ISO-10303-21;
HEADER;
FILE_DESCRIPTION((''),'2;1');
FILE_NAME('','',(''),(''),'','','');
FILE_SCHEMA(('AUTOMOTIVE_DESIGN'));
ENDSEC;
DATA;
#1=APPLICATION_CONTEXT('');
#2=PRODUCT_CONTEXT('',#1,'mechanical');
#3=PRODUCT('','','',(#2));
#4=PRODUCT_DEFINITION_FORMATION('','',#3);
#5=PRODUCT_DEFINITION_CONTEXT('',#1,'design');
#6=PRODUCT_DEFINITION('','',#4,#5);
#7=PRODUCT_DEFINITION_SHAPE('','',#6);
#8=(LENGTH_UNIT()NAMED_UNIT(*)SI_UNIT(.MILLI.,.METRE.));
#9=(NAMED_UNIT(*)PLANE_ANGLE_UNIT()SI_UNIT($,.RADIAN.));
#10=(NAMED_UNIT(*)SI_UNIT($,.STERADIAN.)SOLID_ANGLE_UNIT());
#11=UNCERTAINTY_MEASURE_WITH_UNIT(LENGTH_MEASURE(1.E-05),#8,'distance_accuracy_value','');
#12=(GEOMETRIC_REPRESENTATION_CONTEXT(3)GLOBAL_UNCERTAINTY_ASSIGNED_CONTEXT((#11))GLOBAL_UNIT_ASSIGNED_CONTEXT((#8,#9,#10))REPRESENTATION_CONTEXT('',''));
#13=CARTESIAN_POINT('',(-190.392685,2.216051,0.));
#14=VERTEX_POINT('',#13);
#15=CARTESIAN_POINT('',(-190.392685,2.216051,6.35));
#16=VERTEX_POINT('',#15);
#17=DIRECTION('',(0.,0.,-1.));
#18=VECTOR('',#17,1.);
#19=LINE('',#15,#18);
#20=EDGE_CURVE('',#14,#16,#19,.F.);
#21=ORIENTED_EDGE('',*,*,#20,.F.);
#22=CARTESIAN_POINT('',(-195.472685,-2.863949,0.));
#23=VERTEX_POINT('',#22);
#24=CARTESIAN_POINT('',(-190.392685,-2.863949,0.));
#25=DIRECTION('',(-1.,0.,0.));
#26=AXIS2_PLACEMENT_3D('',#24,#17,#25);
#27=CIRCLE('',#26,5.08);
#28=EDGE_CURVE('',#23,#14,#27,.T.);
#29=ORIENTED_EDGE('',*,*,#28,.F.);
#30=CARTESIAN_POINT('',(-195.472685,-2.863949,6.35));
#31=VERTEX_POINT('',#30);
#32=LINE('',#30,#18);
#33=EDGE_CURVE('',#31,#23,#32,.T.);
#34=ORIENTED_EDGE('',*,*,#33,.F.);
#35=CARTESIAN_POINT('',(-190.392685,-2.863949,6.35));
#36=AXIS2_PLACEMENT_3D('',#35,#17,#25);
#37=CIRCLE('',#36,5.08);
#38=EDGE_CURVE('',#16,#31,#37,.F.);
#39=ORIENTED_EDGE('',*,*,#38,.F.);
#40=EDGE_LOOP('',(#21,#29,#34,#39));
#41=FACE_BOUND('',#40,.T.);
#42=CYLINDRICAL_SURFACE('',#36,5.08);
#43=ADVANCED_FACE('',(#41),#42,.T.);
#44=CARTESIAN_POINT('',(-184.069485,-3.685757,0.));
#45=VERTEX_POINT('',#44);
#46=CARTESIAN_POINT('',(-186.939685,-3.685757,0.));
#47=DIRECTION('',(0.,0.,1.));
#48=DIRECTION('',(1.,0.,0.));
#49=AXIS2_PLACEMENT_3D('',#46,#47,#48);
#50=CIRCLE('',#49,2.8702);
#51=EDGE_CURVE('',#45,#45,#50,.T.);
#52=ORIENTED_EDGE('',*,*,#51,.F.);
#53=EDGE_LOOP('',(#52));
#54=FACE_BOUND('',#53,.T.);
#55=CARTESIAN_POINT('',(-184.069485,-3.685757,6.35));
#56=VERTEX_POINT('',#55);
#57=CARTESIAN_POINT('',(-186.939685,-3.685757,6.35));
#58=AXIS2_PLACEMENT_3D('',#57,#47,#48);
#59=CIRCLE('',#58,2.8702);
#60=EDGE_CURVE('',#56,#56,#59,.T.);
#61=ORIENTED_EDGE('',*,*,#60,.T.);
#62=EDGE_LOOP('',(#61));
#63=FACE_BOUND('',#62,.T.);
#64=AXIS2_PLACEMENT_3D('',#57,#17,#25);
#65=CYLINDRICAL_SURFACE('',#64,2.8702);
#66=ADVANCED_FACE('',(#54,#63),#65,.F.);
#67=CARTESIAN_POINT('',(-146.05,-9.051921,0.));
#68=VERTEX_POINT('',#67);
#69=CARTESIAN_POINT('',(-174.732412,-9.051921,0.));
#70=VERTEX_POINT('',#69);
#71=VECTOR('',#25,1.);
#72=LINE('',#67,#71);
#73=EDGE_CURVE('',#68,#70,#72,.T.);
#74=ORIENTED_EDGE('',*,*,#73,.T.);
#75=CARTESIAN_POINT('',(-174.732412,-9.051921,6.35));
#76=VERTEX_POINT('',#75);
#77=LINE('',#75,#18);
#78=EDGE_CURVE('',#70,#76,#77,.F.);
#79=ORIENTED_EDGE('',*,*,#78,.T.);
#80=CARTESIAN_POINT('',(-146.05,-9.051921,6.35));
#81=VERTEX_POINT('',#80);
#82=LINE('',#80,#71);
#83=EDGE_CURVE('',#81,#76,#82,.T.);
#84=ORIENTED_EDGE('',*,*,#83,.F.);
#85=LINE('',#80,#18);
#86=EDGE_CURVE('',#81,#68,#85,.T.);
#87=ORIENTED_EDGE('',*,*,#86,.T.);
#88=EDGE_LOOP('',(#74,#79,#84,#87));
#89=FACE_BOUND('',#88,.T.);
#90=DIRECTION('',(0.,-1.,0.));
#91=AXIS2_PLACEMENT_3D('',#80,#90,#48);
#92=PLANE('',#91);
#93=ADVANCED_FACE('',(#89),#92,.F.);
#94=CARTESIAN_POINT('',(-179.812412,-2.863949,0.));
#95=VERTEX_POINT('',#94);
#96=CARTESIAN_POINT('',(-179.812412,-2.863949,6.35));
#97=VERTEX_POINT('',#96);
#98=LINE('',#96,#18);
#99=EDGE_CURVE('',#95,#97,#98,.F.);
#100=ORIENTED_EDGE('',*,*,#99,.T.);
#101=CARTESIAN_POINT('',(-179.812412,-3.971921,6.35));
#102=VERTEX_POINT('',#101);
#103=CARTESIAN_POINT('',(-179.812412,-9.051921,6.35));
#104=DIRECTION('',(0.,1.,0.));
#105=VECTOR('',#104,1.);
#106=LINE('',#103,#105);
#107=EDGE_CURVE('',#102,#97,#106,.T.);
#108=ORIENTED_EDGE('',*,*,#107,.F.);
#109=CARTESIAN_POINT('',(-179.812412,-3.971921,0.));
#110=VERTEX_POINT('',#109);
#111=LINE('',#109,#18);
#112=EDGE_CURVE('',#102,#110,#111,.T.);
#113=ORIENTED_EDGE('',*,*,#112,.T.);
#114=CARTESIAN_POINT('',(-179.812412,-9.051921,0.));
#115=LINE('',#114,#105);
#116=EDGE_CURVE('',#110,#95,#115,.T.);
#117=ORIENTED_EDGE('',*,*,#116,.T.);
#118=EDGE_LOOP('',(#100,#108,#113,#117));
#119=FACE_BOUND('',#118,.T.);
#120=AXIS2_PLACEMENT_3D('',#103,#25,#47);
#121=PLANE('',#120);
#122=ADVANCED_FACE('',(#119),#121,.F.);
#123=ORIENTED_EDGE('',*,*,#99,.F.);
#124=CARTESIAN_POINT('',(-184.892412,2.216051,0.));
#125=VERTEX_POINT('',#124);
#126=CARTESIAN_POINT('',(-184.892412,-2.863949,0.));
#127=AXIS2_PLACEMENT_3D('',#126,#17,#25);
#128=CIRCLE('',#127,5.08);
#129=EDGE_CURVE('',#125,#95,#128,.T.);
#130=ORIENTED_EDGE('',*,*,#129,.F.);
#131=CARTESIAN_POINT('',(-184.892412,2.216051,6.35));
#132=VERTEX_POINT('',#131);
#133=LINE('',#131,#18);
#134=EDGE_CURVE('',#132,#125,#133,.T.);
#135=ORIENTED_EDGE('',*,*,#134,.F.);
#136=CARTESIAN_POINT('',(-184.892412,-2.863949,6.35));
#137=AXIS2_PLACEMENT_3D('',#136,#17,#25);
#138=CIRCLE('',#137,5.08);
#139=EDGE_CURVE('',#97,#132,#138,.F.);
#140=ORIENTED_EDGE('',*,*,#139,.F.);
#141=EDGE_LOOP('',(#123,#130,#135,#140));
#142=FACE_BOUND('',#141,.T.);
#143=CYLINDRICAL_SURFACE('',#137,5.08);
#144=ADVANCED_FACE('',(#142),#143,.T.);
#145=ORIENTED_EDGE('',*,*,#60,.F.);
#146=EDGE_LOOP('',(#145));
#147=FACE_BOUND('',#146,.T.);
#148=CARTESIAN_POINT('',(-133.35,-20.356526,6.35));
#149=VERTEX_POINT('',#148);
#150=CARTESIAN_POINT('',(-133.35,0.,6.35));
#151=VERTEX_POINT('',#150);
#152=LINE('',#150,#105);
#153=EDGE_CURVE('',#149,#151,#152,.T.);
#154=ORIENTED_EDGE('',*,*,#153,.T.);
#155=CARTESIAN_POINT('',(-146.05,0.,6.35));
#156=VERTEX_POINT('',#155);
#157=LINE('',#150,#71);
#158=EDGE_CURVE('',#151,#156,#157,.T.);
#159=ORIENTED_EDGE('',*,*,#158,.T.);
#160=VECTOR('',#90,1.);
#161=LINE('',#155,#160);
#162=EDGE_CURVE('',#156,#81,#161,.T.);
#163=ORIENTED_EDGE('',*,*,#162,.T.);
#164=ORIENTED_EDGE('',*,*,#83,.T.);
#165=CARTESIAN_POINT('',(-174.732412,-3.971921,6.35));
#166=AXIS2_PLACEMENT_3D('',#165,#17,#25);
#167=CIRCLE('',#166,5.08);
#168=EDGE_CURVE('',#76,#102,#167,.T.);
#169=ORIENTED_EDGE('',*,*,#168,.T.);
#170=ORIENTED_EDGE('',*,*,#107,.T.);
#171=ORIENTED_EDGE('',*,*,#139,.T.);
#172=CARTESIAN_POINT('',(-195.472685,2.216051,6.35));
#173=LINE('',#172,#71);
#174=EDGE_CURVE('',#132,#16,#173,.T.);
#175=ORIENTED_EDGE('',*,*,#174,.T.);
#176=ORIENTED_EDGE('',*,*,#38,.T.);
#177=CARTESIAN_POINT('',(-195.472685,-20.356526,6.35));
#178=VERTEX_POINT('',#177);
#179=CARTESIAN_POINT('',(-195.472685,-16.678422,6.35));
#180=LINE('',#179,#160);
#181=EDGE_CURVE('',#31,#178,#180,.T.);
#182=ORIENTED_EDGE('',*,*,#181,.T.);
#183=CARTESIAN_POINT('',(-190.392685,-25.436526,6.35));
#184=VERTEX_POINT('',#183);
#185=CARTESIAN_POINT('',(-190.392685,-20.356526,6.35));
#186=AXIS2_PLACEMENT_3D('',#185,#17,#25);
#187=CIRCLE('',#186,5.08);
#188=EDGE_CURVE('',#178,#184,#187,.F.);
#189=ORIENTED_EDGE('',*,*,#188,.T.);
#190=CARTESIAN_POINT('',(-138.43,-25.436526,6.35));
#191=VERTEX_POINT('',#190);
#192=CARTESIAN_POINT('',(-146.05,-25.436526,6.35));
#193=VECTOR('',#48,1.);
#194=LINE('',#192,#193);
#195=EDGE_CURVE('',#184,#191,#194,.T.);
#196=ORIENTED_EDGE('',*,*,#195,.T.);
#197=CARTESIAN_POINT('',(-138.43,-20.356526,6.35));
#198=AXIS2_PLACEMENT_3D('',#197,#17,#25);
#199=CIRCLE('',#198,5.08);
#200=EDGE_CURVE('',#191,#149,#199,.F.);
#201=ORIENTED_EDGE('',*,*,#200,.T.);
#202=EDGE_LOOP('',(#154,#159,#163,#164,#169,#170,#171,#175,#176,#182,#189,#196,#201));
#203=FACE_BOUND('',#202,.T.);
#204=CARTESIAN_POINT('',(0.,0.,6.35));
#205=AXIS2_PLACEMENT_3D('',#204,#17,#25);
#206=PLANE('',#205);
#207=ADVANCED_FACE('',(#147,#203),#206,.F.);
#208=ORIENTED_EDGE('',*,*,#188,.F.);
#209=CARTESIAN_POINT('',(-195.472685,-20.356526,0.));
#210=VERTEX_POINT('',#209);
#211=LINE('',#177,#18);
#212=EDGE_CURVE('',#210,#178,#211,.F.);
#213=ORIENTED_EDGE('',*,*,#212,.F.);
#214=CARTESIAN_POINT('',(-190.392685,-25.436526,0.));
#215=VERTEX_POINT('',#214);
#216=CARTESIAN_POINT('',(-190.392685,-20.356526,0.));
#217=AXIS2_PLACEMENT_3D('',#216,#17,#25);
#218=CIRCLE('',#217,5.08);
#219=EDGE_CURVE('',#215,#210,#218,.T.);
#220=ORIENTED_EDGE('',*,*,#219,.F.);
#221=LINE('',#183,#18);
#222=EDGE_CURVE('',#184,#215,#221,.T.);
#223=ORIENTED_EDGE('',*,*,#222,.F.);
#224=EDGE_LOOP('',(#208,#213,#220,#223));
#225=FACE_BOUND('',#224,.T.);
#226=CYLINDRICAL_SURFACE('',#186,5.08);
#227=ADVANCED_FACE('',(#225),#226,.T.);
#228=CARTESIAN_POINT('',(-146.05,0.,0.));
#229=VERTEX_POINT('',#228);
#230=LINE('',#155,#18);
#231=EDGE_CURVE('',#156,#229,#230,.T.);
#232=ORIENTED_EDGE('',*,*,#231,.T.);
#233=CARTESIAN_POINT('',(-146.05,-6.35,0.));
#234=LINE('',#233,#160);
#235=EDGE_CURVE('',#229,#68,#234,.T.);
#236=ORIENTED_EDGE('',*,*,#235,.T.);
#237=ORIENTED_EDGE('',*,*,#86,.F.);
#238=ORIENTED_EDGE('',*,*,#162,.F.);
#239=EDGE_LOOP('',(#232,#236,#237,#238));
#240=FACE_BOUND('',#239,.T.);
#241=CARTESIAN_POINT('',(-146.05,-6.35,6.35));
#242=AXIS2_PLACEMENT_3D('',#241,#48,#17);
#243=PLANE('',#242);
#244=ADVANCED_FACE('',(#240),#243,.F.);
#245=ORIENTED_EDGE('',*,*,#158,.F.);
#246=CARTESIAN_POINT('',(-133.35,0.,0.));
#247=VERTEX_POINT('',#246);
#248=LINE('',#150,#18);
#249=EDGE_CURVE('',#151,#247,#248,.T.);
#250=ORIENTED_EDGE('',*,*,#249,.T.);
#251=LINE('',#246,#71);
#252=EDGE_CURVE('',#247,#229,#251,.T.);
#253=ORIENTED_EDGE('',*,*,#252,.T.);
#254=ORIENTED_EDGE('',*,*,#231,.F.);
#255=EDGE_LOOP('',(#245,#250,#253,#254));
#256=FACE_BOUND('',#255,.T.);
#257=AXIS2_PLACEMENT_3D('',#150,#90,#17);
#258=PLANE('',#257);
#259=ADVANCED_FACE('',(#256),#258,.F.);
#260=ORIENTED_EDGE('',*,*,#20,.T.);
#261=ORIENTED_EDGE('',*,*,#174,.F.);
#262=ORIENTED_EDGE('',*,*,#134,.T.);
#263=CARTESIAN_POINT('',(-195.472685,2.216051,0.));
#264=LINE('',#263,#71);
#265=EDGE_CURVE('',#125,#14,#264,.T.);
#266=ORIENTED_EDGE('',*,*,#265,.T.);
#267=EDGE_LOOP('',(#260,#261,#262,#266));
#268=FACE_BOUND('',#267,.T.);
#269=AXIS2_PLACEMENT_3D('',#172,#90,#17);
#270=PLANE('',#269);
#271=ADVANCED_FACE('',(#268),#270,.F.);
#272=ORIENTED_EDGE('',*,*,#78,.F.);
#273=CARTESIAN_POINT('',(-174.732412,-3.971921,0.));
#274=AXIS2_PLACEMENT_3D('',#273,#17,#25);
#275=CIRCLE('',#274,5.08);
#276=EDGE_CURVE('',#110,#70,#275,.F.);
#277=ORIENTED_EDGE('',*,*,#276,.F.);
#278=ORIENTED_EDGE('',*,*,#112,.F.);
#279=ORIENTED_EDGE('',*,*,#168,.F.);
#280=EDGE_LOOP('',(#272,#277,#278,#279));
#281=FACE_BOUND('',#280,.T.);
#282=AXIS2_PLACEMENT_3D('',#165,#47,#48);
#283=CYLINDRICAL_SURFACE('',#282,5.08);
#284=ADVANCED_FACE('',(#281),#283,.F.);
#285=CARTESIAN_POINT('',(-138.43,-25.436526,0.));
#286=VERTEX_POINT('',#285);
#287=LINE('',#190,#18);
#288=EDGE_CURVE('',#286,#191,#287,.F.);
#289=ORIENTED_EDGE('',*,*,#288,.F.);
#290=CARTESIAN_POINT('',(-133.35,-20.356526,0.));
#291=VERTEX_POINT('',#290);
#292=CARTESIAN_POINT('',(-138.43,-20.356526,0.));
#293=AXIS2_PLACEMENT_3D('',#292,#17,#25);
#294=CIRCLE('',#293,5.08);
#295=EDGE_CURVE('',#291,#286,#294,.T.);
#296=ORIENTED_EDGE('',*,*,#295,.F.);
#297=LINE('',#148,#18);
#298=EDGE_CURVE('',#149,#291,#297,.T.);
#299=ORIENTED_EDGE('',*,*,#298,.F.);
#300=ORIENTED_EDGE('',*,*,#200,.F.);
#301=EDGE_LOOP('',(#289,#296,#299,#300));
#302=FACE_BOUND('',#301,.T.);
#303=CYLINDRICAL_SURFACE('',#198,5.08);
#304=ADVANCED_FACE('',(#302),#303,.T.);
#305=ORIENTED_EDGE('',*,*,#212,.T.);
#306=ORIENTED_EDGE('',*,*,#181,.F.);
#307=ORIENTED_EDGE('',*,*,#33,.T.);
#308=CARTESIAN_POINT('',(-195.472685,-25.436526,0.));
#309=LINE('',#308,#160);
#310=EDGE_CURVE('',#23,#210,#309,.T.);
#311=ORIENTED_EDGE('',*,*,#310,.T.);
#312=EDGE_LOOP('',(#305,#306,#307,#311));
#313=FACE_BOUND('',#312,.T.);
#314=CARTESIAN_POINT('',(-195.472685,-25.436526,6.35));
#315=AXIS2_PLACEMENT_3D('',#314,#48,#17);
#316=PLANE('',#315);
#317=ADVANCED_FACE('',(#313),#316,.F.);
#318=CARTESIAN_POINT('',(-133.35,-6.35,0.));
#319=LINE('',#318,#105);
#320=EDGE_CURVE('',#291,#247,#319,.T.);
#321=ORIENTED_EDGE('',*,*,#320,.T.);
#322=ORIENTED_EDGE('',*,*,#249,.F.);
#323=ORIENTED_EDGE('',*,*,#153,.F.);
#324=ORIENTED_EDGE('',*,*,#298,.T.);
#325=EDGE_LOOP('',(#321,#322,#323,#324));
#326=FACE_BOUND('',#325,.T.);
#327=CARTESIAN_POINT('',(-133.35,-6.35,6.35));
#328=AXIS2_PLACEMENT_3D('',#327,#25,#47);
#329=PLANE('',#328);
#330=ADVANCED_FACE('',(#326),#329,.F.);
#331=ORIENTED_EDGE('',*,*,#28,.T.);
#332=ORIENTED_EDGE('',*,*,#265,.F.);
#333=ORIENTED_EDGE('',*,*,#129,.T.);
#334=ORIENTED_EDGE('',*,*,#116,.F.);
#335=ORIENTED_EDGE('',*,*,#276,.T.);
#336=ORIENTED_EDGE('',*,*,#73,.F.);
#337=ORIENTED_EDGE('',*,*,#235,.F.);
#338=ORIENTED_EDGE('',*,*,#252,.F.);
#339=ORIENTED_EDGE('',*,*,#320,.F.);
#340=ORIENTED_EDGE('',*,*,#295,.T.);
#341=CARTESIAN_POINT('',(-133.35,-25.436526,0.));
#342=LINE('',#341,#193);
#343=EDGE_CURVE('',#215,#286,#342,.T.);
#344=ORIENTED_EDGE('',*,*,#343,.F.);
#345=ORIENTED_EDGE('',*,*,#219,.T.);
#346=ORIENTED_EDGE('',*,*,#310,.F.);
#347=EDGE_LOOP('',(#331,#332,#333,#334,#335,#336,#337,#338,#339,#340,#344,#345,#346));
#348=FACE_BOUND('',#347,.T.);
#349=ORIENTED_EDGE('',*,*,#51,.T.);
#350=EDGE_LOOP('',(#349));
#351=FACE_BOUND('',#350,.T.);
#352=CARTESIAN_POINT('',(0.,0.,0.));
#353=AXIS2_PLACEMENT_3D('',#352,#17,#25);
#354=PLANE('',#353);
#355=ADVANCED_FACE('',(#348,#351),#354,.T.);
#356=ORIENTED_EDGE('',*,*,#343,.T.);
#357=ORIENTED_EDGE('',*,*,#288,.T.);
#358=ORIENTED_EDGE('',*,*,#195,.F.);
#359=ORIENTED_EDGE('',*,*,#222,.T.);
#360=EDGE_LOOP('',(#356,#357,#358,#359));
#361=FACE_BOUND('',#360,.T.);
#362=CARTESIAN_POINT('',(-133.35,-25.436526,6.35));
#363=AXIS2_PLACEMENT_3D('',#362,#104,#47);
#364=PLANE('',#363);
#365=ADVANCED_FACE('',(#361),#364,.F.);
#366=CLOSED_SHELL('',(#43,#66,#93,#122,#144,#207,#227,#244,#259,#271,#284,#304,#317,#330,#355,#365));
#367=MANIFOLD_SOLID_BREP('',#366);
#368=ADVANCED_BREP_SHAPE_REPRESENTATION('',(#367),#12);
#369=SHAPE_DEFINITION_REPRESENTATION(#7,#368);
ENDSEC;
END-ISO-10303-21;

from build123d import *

# Parameters (mm, degrees)
SKETCH1_R           = 2.8702
BOSS_EXTRUDE1_DEPTH = 6.35
FILLET1_R           = 5.08


with BuildPart() as part:
    # Sketch1 → Boss-Extrude1 (new body)
    with BuildSketch(Plane.XY):
        Polygon((-133.35, 0), (-146.05, 0), (-146.05, -6.35), (-146.05, -9.05192086), (-179.812411975, -9.05192086), (-179.812411975, 2.216051439), (-195.472684717, 2.216051439), (-195.472684717, -16.678421964), (-195.472684717, -25.43652623), (-146.05, -25.43652623), (-133.35, -25.43652623), (-133.35, -6.35), align=None)
        with Locations((-186.939684717, -3.685756589)):
            Circle(SKETCH1_R, mode=Mode.SUBTRACT)
    extrude(amount=BOSS_EXTRUDE1_DEPTH)

    # Fillet1
    fillet1_edges = [part.edges().sort_by_distance(p)[0] for p in [
        (-133.35, -25.43652623, 3.175),
        (-195.472684717, -25.43652623, 3.175),
        (-195.472684717, 2.216051439, 3.175),
        (-179.812411975, 2.216051439, 3.175),
        (-179.812411975, -9.05192086, 3.175),
    ]]
    fillet(fillet1_edges, radius=FILLET1_R)


solid = part.part
